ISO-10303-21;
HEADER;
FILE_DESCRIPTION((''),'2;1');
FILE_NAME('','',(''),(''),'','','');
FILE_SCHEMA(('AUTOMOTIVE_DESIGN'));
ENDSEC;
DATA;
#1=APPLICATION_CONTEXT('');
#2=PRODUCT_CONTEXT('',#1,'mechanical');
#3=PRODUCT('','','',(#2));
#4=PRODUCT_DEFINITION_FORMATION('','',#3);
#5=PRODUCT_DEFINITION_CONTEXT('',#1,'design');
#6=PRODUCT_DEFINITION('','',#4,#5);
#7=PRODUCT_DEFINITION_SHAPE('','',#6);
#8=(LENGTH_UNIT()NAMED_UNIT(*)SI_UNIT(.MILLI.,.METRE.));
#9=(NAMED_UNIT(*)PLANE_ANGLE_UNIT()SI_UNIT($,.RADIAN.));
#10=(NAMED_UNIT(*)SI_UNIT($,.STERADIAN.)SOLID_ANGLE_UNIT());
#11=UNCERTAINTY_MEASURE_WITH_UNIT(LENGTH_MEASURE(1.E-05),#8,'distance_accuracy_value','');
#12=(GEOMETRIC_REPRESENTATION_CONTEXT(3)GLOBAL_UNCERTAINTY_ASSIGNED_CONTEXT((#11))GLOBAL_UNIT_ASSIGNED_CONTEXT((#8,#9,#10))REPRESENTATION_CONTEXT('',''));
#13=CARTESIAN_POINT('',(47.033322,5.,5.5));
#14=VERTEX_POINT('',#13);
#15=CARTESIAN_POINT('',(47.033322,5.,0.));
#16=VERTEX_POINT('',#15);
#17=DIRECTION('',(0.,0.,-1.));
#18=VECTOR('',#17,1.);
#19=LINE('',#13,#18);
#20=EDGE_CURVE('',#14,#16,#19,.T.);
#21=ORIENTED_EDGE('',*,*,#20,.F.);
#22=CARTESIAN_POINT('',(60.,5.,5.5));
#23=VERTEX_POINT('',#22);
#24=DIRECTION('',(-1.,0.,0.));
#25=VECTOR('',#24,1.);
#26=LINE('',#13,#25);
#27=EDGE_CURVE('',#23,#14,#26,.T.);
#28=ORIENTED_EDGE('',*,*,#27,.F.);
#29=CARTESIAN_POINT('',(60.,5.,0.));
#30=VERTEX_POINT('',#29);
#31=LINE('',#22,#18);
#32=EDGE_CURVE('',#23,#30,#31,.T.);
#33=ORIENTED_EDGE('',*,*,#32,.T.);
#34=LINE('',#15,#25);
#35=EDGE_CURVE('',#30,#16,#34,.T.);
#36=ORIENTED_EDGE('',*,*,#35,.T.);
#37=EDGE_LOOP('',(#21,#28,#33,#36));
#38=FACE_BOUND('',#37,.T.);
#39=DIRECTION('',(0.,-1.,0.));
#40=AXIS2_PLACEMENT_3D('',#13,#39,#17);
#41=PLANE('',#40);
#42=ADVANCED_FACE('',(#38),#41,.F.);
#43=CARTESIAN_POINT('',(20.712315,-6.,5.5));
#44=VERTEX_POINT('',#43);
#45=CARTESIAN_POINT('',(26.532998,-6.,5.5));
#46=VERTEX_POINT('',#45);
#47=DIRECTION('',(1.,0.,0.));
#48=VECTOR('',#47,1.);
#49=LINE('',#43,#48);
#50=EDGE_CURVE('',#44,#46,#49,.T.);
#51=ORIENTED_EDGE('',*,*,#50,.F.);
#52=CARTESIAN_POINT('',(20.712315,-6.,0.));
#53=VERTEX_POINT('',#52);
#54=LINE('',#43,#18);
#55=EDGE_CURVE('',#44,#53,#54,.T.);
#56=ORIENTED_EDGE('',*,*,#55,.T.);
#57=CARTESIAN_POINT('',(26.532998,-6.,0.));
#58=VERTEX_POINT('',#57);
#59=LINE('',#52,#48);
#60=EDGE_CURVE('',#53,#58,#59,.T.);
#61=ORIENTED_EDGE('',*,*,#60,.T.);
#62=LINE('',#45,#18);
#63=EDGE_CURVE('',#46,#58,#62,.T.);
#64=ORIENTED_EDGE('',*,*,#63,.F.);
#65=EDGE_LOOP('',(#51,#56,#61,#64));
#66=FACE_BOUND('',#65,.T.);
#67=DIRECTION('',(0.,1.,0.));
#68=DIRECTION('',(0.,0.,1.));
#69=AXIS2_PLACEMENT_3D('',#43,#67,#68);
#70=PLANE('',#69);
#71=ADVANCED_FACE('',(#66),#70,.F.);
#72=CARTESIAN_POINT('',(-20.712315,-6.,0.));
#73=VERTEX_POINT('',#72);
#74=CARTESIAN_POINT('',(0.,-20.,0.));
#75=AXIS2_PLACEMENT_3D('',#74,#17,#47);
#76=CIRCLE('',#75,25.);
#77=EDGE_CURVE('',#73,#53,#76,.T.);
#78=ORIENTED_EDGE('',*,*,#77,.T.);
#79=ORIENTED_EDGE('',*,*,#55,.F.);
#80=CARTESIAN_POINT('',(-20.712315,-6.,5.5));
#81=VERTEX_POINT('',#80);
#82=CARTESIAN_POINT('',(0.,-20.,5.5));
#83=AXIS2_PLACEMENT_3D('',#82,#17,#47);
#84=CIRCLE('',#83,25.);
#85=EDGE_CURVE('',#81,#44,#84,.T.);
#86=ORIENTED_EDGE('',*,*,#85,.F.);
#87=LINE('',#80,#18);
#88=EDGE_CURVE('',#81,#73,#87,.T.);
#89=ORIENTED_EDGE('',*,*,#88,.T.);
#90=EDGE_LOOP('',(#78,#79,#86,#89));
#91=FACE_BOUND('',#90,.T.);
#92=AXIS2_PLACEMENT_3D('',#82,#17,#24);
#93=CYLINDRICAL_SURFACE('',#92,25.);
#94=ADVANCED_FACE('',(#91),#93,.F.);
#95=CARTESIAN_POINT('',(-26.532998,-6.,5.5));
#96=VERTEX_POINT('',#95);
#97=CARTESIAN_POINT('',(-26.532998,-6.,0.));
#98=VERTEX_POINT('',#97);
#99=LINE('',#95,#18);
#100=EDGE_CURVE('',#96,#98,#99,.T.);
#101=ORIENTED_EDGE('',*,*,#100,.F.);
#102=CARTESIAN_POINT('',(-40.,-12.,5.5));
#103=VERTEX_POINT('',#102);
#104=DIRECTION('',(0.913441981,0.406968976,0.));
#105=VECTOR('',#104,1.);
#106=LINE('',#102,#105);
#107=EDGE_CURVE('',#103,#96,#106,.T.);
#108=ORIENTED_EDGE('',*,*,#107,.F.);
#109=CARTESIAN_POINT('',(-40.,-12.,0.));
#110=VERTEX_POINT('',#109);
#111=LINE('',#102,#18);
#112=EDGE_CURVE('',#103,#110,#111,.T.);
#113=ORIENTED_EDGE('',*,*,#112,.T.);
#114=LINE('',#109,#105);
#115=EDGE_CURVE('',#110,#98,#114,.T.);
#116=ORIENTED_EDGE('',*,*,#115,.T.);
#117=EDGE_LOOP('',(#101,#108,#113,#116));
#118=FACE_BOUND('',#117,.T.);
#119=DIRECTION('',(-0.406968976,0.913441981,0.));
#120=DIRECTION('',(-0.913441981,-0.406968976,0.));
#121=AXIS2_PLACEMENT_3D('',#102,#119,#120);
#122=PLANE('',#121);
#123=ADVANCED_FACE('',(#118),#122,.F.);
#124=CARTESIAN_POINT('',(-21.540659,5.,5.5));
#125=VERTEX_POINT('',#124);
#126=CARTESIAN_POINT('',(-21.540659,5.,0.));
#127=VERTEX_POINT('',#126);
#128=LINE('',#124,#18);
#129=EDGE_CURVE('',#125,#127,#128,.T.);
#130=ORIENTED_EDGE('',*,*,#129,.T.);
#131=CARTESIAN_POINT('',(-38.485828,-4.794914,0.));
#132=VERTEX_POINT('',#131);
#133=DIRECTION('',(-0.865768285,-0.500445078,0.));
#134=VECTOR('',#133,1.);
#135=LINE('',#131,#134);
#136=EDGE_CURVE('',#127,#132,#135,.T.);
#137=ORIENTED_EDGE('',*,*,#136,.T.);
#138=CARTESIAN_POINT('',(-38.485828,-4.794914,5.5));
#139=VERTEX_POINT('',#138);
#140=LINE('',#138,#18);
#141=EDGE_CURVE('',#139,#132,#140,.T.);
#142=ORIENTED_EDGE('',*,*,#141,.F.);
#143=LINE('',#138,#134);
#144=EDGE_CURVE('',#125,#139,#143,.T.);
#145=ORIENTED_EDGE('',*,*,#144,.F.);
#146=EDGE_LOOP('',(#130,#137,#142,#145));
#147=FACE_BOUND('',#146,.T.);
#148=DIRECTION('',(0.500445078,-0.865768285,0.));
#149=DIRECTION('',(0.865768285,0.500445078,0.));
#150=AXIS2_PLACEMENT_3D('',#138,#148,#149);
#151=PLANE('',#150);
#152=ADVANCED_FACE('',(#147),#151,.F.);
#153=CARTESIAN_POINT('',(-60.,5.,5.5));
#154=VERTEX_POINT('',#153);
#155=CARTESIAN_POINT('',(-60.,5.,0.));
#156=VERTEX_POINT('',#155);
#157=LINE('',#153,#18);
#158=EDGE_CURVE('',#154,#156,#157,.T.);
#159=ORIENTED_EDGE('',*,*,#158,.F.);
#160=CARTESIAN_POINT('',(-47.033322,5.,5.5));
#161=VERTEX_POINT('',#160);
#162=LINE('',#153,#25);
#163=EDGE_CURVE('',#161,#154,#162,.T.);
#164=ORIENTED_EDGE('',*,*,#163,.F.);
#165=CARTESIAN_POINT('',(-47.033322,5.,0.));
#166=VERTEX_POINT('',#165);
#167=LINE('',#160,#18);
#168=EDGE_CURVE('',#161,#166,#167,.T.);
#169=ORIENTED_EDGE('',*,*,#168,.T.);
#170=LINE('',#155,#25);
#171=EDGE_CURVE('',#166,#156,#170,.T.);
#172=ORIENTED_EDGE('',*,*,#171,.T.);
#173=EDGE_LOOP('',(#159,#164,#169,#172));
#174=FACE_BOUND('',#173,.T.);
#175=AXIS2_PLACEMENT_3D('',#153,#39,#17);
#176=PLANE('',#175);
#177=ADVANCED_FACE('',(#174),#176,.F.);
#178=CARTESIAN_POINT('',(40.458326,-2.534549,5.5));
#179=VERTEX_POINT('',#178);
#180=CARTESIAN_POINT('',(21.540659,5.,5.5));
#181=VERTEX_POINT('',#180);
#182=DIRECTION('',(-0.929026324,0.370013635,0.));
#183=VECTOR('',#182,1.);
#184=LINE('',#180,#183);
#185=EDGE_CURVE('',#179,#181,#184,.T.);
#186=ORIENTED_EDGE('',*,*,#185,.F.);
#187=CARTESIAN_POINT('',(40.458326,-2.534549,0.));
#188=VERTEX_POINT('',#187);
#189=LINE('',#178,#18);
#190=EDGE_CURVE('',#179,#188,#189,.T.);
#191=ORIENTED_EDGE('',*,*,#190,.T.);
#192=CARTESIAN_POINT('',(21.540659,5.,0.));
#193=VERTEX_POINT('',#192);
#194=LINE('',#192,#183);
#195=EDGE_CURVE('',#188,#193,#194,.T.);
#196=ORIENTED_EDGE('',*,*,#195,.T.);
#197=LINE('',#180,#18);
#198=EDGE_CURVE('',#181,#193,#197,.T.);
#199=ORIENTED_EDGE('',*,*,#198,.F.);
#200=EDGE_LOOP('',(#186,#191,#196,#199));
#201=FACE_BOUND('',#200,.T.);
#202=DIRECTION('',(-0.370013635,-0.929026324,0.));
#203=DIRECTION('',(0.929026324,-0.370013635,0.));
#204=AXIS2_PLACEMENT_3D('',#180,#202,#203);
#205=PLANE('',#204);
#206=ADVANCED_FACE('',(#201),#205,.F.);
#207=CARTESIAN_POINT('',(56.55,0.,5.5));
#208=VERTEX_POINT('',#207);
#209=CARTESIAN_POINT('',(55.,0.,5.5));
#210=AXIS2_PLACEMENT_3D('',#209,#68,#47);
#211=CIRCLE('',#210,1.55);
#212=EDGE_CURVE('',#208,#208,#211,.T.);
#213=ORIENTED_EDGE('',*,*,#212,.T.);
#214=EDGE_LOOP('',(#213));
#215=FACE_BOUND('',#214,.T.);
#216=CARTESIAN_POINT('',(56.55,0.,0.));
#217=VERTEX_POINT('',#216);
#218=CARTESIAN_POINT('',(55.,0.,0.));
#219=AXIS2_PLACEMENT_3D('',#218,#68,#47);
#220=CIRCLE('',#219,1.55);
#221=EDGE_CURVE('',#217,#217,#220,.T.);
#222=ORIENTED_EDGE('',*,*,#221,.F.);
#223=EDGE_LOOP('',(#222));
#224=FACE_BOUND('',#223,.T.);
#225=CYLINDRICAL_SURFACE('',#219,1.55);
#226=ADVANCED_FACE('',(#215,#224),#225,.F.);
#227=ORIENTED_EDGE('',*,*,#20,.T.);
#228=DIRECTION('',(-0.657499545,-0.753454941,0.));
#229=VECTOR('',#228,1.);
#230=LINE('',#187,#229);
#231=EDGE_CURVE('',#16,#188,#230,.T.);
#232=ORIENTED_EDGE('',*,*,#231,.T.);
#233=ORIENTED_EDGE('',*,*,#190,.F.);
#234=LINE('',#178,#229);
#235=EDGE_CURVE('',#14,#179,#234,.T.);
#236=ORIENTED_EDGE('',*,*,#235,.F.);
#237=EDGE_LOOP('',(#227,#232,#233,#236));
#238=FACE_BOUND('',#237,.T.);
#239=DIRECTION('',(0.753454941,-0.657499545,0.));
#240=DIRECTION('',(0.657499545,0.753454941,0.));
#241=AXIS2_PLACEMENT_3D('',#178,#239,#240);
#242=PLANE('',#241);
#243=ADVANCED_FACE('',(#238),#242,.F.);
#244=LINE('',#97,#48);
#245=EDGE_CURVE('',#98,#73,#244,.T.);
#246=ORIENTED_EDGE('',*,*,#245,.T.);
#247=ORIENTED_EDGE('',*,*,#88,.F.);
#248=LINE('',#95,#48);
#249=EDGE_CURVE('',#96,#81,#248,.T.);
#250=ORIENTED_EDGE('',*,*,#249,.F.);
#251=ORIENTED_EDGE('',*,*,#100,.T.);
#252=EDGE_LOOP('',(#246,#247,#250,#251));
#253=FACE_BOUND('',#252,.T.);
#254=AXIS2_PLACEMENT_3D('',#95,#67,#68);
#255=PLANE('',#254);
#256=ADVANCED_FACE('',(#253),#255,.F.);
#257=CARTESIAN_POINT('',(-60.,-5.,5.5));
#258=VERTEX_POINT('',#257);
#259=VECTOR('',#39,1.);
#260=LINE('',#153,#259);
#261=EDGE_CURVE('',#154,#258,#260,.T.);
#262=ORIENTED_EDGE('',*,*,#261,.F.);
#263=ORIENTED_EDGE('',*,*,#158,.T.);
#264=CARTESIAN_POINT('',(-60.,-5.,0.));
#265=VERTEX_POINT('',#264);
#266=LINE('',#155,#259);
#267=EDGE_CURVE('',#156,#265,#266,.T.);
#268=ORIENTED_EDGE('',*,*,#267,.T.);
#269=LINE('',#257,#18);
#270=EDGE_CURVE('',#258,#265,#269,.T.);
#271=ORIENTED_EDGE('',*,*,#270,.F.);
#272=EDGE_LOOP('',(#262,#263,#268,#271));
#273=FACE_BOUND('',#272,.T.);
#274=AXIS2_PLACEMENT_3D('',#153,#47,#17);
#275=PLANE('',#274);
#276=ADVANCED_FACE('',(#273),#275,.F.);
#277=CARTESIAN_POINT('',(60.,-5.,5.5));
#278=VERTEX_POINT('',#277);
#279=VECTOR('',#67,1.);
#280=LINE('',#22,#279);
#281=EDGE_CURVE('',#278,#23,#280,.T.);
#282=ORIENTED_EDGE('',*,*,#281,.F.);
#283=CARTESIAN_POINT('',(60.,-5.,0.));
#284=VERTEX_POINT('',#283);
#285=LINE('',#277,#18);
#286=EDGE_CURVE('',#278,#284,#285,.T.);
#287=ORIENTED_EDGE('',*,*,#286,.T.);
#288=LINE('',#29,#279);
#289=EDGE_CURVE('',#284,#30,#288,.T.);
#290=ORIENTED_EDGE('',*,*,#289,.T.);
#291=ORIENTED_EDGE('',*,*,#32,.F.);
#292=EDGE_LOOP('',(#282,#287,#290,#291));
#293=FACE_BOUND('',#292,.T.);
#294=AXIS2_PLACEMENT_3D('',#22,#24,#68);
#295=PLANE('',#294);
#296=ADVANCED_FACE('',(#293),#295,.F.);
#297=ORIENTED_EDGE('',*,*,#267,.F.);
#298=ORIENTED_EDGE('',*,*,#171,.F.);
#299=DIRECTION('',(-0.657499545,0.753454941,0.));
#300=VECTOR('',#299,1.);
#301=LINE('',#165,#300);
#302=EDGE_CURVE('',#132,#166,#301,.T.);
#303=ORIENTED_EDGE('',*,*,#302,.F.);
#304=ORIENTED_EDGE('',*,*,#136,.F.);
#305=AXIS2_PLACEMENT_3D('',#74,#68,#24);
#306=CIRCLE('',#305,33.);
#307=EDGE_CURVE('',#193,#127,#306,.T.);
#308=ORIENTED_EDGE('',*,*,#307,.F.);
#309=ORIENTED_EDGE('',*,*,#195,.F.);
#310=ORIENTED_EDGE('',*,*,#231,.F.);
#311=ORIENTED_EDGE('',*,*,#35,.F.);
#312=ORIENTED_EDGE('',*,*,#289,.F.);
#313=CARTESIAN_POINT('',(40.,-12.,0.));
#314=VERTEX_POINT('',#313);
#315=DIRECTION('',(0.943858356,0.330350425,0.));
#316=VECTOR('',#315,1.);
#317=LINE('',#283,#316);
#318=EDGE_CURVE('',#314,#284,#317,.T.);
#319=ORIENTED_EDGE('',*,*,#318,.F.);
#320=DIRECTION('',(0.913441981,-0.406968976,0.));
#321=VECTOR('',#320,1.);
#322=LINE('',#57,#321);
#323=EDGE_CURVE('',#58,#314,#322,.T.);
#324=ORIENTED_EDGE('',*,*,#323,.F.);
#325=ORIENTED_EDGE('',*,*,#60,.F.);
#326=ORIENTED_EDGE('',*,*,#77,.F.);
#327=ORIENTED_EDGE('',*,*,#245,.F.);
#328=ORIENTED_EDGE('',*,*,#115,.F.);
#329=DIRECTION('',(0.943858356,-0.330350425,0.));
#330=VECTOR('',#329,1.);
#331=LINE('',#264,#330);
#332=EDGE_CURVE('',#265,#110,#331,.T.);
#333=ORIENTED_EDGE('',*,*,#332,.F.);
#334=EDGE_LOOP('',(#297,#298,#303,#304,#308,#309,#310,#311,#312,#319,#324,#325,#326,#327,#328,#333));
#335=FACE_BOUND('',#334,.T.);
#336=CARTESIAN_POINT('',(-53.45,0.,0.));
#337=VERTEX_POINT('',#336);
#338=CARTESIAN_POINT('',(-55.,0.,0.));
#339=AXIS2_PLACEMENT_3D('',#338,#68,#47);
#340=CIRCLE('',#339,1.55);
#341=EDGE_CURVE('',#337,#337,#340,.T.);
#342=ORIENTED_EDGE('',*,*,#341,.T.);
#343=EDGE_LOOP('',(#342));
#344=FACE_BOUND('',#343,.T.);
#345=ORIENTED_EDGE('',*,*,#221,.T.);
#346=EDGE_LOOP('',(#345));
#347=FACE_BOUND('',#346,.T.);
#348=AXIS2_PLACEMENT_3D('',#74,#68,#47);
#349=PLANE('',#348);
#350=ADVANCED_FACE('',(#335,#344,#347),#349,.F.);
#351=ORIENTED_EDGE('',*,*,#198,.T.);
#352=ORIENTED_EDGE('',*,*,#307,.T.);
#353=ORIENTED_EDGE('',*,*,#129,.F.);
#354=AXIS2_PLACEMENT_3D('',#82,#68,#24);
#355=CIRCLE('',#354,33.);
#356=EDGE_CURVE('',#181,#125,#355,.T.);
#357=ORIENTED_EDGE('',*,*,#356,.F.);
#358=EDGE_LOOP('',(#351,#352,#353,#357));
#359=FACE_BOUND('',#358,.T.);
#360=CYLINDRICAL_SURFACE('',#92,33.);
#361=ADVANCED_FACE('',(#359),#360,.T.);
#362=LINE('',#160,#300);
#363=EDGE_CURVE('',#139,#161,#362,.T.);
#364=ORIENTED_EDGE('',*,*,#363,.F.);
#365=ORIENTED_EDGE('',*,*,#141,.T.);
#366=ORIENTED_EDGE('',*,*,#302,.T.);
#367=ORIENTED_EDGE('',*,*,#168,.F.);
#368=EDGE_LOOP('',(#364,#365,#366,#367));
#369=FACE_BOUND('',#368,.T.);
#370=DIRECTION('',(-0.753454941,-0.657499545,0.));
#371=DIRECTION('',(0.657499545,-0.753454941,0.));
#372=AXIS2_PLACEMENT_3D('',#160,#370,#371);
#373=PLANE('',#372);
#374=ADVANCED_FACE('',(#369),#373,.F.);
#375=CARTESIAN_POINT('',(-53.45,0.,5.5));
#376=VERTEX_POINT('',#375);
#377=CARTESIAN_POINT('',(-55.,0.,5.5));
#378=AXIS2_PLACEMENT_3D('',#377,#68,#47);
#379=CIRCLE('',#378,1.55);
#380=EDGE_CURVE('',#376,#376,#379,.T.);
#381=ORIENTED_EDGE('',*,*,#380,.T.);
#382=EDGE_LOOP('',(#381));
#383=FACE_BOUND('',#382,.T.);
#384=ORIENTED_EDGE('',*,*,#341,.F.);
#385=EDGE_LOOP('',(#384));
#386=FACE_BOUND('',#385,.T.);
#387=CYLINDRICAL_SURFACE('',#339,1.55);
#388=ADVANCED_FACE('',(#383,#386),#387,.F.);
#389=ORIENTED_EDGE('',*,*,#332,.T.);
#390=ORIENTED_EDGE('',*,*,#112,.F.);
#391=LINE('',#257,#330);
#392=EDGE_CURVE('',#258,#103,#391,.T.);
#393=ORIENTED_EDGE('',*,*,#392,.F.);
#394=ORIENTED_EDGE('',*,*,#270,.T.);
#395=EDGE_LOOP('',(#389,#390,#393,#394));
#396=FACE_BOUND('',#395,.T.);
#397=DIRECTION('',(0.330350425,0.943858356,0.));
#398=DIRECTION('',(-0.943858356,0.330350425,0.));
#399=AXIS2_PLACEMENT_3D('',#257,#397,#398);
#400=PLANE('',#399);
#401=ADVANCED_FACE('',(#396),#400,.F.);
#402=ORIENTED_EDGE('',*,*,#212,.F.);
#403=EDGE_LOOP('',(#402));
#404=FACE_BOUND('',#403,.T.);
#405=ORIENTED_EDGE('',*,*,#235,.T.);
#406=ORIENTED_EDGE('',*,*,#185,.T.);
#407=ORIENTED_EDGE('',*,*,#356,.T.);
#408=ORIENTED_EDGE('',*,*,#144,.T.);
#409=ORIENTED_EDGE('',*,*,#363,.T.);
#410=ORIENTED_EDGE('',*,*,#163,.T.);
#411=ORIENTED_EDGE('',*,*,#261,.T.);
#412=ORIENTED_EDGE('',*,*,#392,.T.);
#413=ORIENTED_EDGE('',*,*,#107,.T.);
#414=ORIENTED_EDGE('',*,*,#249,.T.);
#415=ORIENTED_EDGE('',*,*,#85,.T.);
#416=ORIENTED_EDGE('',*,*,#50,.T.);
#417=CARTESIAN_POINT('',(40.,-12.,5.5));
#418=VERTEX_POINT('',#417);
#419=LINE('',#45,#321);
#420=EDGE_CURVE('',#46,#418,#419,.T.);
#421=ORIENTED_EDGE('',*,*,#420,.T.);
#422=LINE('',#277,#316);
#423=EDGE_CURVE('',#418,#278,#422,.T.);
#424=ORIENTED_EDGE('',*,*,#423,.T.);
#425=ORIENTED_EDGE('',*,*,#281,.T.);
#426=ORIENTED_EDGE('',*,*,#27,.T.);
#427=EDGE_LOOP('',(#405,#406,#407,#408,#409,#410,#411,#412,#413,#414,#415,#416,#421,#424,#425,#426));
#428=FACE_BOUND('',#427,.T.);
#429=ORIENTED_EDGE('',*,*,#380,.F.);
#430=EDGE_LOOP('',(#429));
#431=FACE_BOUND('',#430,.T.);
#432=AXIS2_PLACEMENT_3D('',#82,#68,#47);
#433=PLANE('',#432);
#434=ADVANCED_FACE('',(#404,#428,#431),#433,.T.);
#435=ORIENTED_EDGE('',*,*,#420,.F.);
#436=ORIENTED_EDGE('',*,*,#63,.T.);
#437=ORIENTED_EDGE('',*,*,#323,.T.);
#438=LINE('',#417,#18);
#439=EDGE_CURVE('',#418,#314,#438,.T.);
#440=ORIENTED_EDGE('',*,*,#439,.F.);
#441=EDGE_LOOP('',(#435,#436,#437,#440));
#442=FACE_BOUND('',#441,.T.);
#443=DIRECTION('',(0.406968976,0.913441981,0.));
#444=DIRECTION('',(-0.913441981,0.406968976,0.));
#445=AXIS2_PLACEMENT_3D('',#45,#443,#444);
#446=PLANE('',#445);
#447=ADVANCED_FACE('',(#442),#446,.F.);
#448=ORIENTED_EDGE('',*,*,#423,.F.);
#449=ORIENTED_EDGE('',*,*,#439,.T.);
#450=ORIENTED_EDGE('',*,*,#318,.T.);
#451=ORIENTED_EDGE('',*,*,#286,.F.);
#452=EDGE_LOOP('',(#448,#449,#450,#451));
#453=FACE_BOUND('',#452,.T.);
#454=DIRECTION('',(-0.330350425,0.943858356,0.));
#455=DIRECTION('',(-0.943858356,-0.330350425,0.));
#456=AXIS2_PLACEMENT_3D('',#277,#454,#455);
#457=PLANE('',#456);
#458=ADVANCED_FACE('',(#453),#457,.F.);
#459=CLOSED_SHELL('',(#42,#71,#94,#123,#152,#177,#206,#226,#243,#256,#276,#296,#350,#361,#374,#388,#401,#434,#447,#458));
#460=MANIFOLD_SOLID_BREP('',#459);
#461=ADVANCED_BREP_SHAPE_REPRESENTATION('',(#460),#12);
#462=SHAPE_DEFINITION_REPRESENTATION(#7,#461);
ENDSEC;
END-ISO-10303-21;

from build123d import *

# Parameters (mm, degrees)
EXTRUDE_1_DEPTH     = 5.5
SKETCH_2_R          = 1.55
CUT_EXTRUDE_1_DEPTH = 62.638056426


with BuildPart() as part:
    # ｽｹｯﾁ1 → ﾎﾞｽ - 押し出し1 (new body)
    with BuildSketch(Plane.XY):
        with BuildLine():
            Line((-60, 5), (-47.033321686, 5))
            Line((-47.033321686, 5), (-38.485827601, -4.794914235))
            Line((-38.485827601, -4.794914235), (-21.540659229, 5))
            ThreePointArc((-21.540659229, 5), (0, 13), (21.540659229, 5))
            Line((21.540659229, 5), (40.458326236, -2.534549412))
            Line((40.458326236, -2.534549412), (47.033321686, 5))
            Line((47.033321686, 5), (60, 5))
            Line((60, 5), (60, -5))
            Line((60, -5), (40, -12))
            Line((40, -12), (26.532998323, -6))
            Line((26.532998323, -6), (20.712315177, -6))
            ThreePointArc((20.712315177, -6), (0, 5), (-20.712315177, -6))
            Line((-20.712315177, -6), (-26.532998323, -6))
            Line((-26.532998323, -6), (-40, -12))
            Line((-40, -12), (-60, -5))
            Line((-60, -5), (-60, 5))
        make_face()
    extrude(amount=EXTRUDE_1_DEPTH)

    # ｽｹｯﾁ2 → ｶｯﾄ - 押し出し1 (cut, through all)
    with BuildSketch(Plane.XY.offset(5.5)):
        with Locations((-55, 0)):
            Circle(SKETCH_2_R)
        with Locations((55, 0)):
            Circle(SKETCH_2_R)
    extrude(amount=-CUT_EXTRUDE_1_DEPTH, mode=Mode.SUBTRACT)


solid = part.part
